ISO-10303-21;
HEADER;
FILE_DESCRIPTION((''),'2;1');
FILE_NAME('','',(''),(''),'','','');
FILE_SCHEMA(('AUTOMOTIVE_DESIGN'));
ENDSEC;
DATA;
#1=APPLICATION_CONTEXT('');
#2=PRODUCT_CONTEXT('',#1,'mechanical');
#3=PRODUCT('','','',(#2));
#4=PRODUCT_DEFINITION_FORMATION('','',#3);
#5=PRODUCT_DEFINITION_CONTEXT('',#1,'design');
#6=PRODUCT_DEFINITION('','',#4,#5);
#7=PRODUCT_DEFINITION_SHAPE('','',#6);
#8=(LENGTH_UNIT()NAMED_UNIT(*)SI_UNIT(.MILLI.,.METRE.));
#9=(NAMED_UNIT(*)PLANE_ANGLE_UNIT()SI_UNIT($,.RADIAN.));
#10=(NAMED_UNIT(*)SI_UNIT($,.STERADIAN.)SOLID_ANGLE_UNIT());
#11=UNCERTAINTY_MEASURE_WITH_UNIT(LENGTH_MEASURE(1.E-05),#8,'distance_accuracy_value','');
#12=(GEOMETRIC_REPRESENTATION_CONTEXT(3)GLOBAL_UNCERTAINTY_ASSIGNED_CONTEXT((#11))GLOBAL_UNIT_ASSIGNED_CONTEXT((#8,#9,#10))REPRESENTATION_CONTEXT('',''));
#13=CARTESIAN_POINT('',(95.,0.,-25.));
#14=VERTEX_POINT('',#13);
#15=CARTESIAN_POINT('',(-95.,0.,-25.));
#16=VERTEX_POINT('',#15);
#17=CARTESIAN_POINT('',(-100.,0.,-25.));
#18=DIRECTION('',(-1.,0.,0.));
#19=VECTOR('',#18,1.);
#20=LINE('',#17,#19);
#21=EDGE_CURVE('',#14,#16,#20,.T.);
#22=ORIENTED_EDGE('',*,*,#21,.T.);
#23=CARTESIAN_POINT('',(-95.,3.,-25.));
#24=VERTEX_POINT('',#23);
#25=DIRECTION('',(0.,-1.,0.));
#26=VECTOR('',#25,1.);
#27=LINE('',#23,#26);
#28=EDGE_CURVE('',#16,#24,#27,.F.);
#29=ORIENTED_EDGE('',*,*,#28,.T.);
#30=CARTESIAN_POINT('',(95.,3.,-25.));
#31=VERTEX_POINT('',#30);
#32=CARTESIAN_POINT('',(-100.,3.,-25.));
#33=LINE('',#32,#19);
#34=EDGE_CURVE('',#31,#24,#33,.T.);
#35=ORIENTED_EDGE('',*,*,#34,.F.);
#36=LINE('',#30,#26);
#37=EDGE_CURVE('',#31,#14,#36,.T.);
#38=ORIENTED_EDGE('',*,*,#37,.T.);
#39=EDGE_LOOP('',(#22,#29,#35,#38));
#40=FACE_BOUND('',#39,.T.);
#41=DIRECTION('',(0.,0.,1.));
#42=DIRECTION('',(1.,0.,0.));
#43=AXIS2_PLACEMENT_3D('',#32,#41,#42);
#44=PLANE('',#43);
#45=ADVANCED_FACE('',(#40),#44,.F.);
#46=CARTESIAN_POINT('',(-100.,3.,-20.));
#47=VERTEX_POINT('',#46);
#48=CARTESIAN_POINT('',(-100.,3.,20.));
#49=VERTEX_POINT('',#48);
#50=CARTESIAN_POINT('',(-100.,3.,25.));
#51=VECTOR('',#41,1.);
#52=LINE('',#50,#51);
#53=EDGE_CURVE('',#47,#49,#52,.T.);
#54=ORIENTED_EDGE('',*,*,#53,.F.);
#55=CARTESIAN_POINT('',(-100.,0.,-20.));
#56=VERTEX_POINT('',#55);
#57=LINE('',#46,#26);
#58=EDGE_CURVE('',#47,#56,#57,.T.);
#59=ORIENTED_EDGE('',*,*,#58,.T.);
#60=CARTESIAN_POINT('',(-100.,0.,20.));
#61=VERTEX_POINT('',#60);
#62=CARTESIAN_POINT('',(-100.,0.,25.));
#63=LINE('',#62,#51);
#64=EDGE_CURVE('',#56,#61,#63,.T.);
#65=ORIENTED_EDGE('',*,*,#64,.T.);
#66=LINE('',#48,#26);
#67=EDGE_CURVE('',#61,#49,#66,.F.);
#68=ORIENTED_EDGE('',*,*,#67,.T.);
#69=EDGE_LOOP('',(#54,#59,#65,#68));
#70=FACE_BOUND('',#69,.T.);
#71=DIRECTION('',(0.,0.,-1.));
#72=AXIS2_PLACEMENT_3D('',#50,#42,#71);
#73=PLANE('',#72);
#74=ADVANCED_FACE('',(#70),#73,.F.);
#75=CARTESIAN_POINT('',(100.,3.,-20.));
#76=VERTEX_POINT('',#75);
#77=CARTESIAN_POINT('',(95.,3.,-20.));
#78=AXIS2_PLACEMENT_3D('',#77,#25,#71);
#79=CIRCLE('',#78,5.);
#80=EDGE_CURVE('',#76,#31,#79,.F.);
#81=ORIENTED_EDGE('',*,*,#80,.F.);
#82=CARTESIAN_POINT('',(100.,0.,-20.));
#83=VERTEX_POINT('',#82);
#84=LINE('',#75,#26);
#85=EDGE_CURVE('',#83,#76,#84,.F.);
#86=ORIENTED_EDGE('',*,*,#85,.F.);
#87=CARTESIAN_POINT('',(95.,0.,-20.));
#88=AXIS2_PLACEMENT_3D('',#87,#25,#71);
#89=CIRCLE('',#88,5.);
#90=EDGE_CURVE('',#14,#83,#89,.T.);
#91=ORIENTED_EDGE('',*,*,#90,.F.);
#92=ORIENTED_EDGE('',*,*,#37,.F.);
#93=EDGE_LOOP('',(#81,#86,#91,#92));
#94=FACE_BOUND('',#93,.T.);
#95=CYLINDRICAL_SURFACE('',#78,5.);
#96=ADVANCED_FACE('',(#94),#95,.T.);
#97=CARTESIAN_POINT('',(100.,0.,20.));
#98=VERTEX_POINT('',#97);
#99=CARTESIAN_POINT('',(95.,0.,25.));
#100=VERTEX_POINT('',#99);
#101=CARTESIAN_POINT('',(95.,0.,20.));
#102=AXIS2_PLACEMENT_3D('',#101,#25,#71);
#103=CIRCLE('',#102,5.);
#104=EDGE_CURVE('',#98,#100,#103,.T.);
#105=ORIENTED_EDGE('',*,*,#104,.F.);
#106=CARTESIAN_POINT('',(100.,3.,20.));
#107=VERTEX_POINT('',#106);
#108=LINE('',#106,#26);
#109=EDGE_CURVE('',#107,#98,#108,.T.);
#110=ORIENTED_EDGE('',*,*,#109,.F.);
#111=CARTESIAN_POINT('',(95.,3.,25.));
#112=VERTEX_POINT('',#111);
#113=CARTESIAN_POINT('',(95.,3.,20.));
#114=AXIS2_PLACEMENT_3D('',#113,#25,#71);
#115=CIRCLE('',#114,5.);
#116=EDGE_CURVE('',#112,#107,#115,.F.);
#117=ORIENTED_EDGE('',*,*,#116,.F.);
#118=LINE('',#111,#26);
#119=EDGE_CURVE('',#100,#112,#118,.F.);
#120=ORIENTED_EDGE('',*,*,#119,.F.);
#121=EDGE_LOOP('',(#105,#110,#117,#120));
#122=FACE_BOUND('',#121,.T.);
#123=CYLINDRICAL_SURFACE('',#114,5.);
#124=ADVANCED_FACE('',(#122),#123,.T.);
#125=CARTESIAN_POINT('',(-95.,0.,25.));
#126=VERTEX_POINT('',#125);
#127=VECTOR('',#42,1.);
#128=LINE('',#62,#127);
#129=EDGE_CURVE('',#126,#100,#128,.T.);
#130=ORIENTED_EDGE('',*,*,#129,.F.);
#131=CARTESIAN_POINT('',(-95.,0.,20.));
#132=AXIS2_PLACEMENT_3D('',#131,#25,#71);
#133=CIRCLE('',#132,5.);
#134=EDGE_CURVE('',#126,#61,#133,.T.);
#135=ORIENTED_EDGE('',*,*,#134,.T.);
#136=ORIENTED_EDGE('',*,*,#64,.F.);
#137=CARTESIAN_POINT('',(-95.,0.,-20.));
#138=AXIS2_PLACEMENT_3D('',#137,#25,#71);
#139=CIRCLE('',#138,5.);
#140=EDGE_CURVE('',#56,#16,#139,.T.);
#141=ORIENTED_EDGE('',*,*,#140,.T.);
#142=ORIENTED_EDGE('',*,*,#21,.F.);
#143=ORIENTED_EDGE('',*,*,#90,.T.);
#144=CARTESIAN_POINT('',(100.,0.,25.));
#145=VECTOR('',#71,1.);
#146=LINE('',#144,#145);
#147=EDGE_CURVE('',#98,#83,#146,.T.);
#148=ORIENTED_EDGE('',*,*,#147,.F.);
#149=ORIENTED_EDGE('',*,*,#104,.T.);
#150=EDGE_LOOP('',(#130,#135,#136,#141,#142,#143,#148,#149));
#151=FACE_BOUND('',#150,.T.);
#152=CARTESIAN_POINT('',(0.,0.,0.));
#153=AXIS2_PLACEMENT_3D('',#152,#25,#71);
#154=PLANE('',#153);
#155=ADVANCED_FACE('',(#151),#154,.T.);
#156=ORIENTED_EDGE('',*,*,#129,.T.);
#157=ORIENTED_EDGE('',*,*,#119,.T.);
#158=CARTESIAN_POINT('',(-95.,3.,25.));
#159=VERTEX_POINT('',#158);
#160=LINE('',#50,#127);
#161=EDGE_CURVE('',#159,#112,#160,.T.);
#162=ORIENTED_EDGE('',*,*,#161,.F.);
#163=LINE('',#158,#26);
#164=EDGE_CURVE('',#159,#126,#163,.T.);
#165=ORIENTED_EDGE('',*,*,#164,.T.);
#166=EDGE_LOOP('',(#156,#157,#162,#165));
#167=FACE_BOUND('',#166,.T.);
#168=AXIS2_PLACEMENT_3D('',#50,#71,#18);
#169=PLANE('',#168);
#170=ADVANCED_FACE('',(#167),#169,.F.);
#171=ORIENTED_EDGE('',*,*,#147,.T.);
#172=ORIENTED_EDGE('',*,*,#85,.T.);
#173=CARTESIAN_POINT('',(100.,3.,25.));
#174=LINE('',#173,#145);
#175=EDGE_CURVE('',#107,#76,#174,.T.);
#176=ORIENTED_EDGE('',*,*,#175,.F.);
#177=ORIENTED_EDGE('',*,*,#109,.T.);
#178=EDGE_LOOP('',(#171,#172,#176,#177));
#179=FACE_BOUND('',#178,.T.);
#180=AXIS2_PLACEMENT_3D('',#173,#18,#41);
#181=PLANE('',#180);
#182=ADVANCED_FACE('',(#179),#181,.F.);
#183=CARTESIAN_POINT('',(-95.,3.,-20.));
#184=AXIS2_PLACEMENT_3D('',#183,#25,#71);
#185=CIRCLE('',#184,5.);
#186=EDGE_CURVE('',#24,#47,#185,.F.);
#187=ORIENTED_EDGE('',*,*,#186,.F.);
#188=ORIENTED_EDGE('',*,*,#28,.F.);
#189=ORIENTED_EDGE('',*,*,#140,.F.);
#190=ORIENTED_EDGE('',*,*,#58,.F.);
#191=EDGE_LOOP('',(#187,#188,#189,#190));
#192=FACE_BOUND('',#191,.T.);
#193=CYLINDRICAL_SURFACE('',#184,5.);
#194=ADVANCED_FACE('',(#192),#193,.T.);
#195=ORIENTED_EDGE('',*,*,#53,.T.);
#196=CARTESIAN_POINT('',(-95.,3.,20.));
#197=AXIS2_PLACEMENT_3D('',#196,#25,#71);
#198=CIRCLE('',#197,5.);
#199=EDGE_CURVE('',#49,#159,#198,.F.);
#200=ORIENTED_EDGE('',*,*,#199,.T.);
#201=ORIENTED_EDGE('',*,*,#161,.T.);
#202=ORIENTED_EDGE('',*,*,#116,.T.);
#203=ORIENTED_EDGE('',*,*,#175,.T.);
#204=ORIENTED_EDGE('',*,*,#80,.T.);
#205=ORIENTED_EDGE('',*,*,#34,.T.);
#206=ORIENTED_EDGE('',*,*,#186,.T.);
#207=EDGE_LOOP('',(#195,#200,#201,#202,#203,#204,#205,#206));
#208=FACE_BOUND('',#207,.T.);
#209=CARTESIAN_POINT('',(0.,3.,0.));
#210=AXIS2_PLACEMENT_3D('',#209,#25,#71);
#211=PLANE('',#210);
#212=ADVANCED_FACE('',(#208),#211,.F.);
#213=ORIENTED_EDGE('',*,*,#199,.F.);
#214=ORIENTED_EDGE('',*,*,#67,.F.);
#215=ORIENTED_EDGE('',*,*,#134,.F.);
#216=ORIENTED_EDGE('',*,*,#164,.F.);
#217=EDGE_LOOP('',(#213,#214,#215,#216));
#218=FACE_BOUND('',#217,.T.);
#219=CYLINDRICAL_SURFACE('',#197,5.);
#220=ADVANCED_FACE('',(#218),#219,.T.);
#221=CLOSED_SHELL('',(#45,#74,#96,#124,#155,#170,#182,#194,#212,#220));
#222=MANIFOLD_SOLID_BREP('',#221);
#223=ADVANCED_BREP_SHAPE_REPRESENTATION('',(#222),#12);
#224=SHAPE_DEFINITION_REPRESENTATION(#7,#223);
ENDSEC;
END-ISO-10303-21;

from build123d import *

# Parameters (mm, degrees)
SKETCH1_W           = 200
SKETCH1_H           = 50
BOSS_EXTRUDE1_DEPTH = 3
FILLET1_R           = 5


with BuildPart() as part:
    # Sketch1 → Boss-Extrude1 (new body)
    with BuildSketch(Plane(origin=(0, 0, 0), x_dir=(1, 0, 0), z_dir=(0, 1, 0))):
        Rectangle(SKETCH1_W, SKETCH1_H)
    extrude(amount=BOSS_EXTRUDE1_DEPTH)

    # Fillet1
    fillet1_edges = [part.edges().sort_by_distance(p)[0] for p in [
        (100, 1.5, 25),
        (-100, 1.5, 25),
        (-100, 1.5, -25),
        (100, 1.5, -25),
    ]]
    fillet(fillet1_edges, radius=FILLET1_R)


solid = part.part
